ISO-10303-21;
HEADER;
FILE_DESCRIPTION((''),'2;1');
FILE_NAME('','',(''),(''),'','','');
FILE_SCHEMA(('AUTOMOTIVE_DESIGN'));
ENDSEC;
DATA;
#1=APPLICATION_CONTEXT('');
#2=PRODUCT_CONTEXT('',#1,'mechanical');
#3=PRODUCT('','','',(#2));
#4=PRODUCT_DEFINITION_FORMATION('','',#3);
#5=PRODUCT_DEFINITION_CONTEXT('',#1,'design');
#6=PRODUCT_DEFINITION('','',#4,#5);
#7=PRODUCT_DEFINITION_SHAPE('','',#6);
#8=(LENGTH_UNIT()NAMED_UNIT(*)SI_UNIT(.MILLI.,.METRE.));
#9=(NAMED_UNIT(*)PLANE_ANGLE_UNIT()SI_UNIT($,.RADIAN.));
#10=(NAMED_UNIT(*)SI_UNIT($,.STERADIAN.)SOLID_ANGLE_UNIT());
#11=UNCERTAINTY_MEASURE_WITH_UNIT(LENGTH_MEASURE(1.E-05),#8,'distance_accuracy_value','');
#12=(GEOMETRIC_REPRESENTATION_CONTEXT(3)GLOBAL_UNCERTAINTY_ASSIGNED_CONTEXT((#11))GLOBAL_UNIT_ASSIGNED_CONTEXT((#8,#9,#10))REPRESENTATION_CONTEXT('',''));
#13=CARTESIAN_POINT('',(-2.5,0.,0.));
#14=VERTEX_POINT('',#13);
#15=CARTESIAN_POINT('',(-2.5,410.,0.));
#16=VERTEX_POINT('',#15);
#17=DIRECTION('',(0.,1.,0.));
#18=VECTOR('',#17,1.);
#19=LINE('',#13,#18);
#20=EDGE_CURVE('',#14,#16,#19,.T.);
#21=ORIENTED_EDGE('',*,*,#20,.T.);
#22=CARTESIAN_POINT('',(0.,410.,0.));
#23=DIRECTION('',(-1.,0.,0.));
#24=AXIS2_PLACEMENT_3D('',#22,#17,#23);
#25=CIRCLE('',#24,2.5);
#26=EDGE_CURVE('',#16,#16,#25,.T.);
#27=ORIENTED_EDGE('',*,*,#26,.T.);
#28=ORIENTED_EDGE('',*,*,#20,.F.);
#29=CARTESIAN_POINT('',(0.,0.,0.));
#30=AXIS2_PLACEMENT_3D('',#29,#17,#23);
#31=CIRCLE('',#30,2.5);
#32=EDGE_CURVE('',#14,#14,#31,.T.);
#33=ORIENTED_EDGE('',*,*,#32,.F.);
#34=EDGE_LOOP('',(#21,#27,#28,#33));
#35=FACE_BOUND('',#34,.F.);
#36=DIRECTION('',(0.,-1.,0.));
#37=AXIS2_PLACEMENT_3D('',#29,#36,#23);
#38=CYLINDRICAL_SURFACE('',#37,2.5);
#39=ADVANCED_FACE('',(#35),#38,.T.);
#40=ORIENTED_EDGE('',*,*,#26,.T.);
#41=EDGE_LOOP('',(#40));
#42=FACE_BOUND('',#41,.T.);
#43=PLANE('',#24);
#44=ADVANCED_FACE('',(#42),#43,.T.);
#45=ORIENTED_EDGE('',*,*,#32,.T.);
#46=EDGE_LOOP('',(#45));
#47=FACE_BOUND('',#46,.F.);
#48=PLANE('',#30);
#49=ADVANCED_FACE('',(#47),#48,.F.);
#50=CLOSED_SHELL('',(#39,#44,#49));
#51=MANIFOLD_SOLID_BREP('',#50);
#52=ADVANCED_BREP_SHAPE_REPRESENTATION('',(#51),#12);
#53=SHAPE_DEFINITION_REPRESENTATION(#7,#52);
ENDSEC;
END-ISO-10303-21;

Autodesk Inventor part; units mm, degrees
ref_plane "YZ Plane" through (0, 0, 0) normal (1, 0, 0) x (0, 1, 0)
ref_plane "XZ Plane" through (0, 0, 0) normal (0, 1, 0) x (-1, 0, 0)
ref_plane "XY Plane" through (0, 0, 0) normal (0, 0, 1) x (1, 0, 0)
sketch "Sketch1" plane through (0, 0, 0) normal (0, 1, 0) x (-1, 0, 0)
  circle A0 centre (0, 0) radius 2.5
  dimension "d0" = 5
extrude "Extrusion1" add sketch "Sketch1" along normal blind 410
properties part number "longshaft"
